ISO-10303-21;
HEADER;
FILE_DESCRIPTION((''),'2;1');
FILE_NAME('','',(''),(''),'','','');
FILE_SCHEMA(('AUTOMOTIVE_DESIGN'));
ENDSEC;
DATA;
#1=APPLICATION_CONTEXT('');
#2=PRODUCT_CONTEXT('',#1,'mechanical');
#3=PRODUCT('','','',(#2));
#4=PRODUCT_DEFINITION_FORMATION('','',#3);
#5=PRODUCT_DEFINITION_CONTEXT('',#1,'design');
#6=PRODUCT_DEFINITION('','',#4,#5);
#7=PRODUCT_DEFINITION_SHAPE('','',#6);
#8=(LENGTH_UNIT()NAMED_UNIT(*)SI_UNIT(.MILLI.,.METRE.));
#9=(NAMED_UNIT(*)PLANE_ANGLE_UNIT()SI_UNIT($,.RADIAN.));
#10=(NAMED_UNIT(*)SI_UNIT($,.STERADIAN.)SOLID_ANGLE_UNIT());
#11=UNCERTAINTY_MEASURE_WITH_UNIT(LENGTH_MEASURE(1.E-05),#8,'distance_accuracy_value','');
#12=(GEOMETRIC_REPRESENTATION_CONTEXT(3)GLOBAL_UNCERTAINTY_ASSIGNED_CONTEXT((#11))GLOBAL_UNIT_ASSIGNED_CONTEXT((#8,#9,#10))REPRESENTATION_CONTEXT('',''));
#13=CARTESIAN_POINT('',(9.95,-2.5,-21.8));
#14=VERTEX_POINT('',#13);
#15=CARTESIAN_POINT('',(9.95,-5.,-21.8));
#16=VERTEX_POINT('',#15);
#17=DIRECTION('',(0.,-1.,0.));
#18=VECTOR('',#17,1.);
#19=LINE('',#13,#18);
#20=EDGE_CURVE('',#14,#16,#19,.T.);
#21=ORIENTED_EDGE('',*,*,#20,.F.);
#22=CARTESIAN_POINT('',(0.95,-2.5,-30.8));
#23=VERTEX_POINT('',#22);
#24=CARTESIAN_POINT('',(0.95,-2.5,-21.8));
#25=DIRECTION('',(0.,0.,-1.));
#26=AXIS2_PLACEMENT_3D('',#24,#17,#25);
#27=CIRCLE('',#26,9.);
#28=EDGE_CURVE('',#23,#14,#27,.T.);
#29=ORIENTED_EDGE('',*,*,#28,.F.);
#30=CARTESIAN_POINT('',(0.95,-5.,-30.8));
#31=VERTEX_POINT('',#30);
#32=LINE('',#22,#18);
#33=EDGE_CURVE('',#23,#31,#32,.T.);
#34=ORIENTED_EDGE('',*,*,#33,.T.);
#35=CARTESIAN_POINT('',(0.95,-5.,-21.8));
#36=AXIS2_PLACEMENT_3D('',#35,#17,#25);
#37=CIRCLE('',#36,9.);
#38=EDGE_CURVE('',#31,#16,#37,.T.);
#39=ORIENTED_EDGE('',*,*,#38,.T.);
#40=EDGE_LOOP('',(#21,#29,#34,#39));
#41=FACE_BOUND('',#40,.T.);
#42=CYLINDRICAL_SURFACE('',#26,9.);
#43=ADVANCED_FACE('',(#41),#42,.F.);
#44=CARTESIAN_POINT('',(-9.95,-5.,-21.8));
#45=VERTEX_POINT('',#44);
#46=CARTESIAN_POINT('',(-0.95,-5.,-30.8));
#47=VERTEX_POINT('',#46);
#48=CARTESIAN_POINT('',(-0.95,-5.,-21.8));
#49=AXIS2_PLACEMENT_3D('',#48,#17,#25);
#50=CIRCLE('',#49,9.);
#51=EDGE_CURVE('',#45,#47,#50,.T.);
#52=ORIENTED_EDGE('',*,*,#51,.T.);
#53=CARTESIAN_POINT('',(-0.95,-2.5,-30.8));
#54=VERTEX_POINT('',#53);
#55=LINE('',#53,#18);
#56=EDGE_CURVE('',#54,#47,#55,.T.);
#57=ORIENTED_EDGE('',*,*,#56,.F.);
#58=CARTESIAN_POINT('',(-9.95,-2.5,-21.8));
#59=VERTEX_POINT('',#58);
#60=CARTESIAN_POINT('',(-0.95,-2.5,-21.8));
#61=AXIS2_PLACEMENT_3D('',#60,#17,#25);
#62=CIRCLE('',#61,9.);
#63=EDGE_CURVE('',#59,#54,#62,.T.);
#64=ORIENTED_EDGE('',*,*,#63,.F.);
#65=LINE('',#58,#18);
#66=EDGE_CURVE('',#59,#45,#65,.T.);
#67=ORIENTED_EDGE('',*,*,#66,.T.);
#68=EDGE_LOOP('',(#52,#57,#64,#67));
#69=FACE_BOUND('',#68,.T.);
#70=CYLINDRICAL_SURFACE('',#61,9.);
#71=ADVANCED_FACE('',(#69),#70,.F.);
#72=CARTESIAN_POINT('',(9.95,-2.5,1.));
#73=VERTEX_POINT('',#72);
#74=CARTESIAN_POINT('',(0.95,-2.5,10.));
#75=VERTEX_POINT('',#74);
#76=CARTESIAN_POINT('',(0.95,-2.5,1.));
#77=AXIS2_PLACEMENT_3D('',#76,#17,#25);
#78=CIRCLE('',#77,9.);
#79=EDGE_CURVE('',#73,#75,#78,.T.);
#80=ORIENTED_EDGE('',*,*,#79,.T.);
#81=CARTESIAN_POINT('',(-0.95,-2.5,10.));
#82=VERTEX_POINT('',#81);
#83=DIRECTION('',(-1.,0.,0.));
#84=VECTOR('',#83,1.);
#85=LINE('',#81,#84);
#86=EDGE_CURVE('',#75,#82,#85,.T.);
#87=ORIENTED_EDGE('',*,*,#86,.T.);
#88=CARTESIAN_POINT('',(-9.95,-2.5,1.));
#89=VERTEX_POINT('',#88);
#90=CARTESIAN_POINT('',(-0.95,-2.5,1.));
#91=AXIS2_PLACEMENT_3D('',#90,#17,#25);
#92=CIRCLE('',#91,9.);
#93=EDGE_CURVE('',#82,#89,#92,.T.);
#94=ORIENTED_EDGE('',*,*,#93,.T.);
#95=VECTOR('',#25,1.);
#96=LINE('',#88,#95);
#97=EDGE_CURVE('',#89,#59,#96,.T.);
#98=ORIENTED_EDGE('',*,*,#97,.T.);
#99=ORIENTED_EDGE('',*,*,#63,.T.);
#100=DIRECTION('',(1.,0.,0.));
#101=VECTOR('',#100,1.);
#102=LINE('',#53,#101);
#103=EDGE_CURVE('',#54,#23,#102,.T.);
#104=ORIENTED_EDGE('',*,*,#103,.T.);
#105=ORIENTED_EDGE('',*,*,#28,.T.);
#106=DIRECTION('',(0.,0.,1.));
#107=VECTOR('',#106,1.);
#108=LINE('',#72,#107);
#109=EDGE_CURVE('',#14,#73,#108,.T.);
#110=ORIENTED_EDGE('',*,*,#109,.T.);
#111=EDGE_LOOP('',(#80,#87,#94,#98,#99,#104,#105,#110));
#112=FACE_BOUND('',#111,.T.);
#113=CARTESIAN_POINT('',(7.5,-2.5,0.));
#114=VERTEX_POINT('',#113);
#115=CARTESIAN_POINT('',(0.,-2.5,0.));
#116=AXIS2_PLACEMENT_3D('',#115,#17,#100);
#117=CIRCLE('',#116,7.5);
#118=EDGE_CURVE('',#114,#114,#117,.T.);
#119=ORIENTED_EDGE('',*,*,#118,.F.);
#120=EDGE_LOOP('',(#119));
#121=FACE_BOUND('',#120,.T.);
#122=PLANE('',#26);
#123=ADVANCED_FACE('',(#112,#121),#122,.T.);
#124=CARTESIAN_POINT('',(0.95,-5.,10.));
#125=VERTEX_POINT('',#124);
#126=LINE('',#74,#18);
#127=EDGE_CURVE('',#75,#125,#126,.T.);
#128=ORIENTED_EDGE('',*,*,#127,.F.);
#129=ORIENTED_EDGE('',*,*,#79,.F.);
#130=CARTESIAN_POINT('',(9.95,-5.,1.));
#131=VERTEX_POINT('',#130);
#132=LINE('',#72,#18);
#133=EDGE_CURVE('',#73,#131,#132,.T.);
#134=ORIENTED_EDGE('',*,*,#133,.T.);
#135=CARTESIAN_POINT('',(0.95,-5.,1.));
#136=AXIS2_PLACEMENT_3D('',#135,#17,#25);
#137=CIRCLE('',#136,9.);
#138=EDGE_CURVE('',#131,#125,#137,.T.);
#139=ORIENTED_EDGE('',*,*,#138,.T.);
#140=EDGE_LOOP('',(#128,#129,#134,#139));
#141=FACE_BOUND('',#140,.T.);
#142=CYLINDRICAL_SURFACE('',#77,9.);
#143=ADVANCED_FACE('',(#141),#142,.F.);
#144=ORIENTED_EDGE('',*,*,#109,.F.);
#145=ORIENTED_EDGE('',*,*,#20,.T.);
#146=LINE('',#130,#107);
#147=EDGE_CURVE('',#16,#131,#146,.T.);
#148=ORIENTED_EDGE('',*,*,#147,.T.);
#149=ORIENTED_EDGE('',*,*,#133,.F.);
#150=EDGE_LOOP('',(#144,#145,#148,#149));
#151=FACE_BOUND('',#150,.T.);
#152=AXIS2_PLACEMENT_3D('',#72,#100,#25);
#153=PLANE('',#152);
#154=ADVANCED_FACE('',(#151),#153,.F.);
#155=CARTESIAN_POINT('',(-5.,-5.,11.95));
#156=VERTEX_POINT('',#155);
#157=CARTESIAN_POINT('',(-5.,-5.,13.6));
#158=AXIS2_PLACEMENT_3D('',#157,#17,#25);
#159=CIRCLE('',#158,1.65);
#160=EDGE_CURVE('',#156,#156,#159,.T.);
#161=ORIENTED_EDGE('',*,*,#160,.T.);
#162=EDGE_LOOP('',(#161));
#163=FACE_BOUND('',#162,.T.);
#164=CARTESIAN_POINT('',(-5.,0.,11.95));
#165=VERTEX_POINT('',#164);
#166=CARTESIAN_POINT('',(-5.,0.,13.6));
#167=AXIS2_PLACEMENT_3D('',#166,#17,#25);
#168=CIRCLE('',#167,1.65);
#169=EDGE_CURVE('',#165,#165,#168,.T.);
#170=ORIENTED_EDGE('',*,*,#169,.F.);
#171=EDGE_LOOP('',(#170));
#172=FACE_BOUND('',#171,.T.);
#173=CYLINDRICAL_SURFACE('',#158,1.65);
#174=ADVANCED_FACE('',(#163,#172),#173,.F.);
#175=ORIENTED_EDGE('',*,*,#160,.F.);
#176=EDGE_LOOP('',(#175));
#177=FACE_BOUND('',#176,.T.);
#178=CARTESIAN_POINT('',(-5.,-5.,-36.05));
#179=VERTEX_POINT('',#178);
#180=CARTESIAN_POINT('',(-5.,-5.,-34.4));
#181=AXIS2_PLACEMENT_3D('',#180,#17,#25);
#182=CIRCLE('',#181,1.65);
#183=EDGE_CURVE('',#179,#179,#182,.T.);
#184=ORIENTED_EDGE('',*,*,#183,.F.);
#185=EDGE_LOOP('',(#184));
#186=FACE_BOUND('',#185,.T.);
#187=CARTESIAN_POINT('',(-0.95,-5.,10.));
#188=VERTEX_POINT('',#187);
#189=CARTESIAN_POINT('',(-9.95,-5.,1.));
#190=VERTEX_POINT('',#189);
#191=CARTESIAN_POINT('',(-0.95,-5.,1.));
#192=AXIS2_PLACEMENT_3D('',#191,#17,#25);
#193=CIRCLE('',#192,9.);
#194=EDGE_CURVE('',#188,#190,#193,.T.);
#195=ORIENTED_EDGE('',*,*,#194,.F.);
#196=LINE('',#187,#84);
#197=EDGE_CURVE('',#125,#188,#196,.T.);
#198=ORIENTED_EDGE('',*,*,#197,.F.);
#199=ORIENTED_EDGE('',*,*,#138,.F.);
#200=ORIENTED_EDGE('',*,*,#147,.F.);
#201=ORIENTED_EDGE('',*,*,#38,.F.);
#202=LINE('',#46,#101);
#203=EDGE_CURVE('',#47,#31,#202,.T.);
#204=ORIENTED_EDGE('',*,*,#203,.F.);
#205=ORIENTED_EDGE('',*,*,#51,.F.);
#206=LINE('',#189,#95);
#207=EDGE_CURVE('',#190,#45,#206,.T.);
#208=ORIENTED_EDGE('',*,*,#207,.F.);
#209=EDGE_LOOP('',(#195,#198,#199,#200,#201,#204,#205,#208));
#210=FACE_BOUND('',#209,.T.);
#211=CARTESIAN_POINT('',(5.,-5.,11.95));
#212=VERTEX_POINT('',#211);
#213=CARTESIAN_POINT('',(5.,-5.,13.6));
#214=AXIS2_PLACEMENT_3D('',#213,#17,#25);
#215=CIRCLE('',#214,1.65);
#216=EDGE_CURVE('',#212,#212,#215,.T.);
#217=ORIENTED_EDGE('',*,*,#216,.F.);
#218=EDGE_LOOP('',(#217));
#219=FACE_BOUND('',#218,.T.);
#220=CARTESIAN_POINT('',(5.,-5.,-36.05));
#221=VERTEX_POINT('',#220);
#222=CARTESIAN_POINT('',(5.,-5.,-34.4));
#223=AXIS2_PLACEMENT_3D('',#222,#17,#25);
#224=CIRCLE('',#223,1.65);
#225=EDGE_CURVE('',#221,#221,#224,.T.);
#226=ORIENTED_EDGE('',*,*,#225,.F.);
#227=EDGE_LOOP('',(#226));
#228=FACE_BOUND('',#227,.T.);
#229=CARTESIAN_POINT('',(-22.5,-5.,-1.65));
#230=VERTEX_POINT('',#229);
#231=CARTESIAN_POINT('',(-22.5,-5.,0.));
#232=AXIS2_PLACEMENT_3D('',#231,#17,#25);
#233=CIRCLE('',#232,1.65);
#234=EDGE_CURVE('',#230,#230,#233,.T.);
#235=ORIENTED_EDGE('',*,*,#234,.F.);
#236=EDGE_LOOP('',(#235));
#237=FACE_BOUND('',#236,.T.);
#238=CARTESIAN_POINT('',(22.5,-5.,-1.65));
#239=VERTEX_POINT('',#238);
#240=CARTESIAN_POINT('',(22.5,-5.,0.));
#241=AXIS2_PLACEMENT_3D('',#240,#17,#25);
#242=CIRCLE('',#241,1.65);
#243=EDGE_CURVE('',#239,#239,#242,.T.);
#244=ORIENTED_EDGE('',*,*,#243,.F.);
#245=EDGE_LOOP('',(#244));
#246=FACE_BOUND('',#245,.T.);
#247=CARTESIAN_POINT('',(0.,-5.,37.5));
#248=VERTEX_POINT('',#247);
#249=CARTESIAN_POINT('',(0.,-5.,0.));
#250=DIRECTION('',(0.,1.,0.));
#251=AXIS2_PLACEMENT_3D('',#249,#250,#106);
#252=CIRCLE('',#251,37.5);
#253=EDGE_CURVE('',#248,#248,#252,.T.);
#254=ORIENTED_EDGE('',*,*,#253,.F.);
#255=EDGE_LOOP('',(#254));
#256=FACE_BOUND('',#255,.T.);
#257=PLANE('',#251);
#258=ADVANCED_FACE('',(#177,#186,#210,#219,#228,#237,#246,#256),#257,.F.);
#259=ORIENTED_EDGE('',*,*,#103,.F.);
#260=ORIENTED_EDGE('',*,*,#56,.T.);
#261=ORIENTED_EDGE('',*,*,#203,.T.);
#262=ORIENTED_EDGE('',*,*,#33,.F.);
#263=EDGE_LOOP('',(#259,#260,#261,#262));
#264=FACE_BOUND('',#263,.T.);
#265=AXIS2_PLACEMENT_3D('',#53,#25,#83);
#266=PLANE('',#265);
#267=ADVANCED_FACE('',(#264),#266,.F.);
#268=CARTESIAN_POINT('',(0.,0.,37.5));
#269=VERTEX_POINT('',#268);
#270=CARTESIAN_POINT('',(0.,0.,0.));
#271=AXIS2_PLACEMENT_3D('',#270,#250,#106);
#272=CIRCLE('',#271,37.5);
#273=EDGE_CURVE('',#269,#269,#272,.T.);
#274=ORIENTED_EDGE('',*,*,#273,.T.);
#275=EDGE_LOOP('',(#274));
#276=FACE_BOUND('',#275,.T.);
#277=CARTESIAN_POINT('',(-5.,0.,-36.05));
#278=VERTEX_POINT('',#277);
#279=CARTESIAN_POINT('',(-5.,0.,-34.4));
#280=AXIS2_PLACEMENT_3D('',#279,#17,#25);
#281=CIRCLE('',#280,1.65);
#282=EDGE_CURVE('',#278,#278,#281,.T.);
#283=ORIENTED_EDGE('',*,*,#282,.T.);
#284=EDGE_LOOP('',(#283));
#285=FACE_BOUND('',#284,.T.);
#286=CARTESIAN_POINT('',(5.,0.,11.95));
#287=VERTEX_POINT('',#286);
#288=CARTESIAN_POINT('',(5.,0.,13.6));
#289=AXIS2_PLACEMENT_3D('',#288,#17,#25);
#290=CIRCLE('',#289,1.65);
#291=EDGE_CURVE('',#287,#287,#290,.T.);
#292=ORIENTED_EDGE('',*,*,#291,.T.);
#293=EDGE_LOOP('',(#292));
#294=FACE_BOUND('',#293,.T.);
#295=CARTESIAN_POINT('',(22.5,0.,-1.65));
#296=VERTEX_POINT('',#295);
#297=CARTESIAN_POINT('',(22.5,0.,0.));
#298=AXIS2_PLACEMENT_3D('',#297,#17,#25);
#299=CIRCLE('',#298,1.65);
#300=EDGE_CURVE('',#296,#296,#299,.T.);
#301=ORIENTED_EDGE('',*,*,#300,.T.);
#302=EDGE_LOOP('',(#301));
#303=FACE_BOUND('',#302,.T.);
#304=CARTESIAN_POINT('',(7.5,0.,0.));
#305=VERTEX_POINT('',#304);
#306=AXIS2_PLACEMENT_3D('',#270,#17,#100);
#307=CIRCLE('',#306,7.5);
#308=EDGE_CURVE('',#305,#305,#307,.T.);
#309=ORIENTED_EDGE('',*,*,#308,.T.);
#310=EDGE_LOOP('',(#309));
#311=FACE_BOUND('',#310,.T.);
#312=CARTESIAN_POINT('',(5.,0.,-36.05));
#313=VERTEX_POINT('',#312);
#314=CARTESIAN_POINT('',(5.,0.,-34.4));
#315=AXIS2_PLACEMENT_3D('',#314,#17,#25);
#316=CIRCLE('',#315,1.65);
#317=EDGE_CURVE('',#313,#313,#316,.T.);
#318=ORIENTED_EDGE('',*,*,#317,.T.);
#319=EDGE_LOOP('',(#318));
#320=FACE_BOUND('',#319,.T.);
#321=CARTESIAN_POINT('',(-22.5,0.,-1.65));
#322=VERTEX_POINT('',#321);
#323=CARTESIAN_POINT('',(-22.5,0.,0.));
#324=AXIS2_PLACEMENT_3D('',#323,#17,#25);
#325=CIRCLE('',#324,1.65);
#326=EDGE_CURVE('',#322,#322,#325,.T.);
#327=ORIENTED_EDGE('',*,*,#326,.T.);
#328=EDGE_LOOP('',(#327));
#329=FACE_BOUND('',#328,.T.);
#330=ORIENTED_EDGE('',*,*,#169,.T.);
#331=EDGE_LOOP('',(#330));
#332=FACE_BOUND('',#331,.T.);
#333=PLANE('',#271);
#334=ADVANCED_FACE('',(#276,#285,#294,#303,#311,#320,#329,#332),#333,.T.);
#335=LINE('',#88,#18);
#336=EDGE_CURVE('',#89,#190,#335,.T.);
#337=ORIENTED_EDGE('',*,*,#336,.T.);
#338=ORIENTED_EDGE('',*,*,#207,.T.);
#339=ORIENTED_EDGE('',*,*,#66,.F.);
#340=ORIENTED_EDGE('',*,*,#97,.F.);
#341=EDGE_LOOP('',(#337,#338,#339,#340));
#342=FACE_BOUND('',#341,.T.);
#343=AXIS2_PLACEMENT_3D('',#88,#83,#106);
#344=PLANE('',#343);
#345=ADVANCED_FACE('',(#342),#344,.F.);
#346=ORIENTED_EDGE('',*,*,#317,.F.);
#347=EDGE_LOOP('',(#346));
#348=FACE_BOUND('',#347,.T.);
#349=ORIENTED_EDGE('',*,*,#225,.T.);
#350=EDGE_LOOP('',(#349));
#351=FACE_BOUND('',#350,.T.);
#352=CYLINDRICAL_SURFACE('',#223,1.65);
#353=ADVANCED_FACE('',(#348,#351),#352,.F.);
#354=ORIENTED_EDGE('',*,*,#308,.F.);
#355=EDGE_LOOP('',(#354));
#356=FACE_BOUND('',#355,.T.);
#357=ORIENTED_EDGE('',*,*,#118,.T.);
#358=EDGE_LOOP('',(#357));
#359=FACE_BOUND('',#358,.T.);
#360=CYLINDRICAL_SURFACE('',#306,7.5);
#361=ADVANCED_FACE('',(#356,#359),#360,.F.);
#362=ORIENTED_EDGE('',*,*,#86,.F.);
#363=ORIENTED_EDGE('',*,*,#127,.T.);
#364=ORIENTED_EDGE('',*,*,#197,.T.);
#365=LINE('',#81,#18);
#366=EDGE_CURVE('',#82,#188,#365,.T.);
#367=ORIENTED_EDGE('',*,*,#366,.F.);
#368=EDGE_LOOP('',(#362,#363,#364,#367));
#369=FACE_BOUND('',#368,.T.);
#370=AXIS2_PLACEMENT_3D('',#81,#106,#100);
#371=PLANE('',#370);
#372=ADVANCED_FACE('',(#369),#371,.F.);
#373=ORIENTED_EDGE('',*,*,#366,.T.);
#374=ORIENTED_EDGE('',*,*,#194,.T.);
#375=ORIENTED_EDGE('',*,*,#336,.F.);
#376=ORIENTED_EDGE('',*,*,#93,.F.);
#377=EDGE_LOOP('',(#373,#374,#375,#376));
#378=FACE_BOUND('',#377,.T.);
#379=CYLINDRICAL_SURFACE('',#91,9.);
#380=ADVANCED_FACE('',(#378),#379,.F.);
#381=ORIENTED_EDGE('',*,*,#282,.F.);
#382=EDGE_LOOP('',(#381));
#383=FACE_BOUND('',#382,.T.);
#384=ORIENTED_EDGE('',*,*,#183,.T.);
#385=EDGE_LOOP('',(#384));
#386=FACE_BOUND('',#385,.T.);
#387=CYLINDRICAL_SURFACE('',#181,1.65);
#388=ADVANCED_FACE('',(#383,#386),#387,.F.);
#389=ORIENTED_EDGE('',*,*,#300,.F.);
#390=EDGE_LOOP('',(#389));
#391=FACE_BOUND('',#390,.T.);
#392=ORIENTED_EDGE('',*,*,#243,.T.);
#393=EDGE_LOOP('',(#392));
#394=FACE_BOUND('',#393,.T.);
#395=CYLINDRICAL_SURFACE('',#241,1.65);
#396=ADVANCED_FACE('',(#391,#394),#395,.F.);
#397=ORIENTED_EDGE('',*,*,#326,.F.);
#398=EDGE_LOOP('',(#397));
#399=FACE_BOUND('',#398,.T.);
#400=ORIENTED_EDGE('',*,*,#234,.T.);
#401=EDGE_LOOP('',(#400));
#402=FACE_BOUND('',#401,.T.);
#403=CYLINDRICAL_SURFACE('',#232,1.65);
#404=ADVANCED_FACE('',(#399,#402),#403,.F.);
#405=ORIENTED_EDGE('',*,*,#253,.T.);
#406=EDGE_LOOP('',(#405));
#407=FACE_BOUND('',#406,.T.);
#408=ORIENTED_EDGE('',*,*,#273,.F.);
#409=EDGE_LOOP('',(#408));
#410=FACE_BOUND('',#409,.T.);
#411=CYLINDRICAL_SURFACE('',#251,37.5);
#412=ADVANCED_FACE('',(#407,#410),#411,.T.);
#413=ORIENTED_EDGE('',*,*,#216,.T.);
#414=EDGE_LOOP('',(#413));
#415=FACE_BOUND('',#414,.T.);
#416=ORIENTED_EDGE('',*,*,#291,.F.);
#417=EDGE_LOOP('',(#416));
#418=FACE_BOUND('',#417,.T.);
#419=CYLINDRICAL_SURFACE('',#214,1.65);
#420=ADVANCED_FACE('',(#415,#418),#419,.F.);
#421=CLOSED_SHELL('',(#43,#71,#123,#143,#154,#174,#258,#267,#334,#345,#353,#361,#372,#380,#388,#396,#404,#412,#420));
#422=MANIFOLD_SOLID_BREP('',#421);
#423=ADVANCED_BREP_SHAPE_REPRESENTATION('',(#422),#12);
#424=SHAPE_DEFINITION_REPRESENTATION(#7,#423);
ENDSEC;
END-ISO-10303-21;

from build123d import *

# Parameters (mm, degrees)
ESQUISSE1_R             = 37.5
EXTRUSION1_DEPTH        = 5
ENL_V_MAT_EXTRU_2_DEPTH = 2.5
ESQUISSE7_R             = 7.5
ENL_V_MAT_EXTRU_3_DEPTH = 54.091901454
TROU_TARAUD_M4X0_71_D   = 3.3


with BuildPart() as part:
    # Esquisse1 → Extrusion1 (new body)
    with BuildSketch(Plane(origin=(0, 0, 0), x_dir=(1, 0, 0), z_dir=(0, 1, 0))):
        with Locations(Location((0, 0, 0), (0, 0, 270))):
            Circle(ESQUISSE1_R)
    extrude(amount=-EXTRUSION1_DEPTH)

    # Esquisse6 → Enlèv. mat.-Extru.2 (cut)
    with BuildSketch(Plane.XZ.offset(5)):
        with BuildLine():
            Line((-9.95, 1), (-9.95, -21.8))
            ThreePointArc((-9.95, -21.8), (-7.313961031, -28.163961031), (-0.95, -30.8))
            Line((-0.95, -30.8), (0.95, -30.8))
            ThreePointArc((0.95, -30.8), (7.313961031, -28.163961031), (9.95, -21.8))
            Line((9.95, -21.8), (9.95, 1))
            ThreePointArc((9.95, 1), (7.313961031, 7.363961031), (0.95, 10))
            Line((0.95, 10), (-0.95, 10))
            ThreePointArc((-0.95, 10), (-7.313961031, 7.363961031), (-9.95, 1))
        make_face()
    extrude(amount=-ENL_V_MAT_EXTRU_2_DEPTH, mode=Mode.SUBTRACT)

    # Esquisse7 → Enlèv. mat.-Extru.3 (cut, through all)
    with BuildSketch(Plane.XZ.offset(2.5)):
        Circle(ESQUISSE7_R)
    extrude(amount=-ENL_V_MAT_EXTRU_3_DEPTH, mode=Mode.SUBTRACT)

    # Trou taraudé M4x0.71 (through all)
    with Locations(Plane.XZ.offset(5)):
        with Locations((-5, -34.4), (5, -34.4), (-5, 13.6), (5, 13.6), (22.5, 0), (-22.5, 0)):
            Hole(TROU_TARAUD_M4X0_71_D / 2)


solid = part.part
